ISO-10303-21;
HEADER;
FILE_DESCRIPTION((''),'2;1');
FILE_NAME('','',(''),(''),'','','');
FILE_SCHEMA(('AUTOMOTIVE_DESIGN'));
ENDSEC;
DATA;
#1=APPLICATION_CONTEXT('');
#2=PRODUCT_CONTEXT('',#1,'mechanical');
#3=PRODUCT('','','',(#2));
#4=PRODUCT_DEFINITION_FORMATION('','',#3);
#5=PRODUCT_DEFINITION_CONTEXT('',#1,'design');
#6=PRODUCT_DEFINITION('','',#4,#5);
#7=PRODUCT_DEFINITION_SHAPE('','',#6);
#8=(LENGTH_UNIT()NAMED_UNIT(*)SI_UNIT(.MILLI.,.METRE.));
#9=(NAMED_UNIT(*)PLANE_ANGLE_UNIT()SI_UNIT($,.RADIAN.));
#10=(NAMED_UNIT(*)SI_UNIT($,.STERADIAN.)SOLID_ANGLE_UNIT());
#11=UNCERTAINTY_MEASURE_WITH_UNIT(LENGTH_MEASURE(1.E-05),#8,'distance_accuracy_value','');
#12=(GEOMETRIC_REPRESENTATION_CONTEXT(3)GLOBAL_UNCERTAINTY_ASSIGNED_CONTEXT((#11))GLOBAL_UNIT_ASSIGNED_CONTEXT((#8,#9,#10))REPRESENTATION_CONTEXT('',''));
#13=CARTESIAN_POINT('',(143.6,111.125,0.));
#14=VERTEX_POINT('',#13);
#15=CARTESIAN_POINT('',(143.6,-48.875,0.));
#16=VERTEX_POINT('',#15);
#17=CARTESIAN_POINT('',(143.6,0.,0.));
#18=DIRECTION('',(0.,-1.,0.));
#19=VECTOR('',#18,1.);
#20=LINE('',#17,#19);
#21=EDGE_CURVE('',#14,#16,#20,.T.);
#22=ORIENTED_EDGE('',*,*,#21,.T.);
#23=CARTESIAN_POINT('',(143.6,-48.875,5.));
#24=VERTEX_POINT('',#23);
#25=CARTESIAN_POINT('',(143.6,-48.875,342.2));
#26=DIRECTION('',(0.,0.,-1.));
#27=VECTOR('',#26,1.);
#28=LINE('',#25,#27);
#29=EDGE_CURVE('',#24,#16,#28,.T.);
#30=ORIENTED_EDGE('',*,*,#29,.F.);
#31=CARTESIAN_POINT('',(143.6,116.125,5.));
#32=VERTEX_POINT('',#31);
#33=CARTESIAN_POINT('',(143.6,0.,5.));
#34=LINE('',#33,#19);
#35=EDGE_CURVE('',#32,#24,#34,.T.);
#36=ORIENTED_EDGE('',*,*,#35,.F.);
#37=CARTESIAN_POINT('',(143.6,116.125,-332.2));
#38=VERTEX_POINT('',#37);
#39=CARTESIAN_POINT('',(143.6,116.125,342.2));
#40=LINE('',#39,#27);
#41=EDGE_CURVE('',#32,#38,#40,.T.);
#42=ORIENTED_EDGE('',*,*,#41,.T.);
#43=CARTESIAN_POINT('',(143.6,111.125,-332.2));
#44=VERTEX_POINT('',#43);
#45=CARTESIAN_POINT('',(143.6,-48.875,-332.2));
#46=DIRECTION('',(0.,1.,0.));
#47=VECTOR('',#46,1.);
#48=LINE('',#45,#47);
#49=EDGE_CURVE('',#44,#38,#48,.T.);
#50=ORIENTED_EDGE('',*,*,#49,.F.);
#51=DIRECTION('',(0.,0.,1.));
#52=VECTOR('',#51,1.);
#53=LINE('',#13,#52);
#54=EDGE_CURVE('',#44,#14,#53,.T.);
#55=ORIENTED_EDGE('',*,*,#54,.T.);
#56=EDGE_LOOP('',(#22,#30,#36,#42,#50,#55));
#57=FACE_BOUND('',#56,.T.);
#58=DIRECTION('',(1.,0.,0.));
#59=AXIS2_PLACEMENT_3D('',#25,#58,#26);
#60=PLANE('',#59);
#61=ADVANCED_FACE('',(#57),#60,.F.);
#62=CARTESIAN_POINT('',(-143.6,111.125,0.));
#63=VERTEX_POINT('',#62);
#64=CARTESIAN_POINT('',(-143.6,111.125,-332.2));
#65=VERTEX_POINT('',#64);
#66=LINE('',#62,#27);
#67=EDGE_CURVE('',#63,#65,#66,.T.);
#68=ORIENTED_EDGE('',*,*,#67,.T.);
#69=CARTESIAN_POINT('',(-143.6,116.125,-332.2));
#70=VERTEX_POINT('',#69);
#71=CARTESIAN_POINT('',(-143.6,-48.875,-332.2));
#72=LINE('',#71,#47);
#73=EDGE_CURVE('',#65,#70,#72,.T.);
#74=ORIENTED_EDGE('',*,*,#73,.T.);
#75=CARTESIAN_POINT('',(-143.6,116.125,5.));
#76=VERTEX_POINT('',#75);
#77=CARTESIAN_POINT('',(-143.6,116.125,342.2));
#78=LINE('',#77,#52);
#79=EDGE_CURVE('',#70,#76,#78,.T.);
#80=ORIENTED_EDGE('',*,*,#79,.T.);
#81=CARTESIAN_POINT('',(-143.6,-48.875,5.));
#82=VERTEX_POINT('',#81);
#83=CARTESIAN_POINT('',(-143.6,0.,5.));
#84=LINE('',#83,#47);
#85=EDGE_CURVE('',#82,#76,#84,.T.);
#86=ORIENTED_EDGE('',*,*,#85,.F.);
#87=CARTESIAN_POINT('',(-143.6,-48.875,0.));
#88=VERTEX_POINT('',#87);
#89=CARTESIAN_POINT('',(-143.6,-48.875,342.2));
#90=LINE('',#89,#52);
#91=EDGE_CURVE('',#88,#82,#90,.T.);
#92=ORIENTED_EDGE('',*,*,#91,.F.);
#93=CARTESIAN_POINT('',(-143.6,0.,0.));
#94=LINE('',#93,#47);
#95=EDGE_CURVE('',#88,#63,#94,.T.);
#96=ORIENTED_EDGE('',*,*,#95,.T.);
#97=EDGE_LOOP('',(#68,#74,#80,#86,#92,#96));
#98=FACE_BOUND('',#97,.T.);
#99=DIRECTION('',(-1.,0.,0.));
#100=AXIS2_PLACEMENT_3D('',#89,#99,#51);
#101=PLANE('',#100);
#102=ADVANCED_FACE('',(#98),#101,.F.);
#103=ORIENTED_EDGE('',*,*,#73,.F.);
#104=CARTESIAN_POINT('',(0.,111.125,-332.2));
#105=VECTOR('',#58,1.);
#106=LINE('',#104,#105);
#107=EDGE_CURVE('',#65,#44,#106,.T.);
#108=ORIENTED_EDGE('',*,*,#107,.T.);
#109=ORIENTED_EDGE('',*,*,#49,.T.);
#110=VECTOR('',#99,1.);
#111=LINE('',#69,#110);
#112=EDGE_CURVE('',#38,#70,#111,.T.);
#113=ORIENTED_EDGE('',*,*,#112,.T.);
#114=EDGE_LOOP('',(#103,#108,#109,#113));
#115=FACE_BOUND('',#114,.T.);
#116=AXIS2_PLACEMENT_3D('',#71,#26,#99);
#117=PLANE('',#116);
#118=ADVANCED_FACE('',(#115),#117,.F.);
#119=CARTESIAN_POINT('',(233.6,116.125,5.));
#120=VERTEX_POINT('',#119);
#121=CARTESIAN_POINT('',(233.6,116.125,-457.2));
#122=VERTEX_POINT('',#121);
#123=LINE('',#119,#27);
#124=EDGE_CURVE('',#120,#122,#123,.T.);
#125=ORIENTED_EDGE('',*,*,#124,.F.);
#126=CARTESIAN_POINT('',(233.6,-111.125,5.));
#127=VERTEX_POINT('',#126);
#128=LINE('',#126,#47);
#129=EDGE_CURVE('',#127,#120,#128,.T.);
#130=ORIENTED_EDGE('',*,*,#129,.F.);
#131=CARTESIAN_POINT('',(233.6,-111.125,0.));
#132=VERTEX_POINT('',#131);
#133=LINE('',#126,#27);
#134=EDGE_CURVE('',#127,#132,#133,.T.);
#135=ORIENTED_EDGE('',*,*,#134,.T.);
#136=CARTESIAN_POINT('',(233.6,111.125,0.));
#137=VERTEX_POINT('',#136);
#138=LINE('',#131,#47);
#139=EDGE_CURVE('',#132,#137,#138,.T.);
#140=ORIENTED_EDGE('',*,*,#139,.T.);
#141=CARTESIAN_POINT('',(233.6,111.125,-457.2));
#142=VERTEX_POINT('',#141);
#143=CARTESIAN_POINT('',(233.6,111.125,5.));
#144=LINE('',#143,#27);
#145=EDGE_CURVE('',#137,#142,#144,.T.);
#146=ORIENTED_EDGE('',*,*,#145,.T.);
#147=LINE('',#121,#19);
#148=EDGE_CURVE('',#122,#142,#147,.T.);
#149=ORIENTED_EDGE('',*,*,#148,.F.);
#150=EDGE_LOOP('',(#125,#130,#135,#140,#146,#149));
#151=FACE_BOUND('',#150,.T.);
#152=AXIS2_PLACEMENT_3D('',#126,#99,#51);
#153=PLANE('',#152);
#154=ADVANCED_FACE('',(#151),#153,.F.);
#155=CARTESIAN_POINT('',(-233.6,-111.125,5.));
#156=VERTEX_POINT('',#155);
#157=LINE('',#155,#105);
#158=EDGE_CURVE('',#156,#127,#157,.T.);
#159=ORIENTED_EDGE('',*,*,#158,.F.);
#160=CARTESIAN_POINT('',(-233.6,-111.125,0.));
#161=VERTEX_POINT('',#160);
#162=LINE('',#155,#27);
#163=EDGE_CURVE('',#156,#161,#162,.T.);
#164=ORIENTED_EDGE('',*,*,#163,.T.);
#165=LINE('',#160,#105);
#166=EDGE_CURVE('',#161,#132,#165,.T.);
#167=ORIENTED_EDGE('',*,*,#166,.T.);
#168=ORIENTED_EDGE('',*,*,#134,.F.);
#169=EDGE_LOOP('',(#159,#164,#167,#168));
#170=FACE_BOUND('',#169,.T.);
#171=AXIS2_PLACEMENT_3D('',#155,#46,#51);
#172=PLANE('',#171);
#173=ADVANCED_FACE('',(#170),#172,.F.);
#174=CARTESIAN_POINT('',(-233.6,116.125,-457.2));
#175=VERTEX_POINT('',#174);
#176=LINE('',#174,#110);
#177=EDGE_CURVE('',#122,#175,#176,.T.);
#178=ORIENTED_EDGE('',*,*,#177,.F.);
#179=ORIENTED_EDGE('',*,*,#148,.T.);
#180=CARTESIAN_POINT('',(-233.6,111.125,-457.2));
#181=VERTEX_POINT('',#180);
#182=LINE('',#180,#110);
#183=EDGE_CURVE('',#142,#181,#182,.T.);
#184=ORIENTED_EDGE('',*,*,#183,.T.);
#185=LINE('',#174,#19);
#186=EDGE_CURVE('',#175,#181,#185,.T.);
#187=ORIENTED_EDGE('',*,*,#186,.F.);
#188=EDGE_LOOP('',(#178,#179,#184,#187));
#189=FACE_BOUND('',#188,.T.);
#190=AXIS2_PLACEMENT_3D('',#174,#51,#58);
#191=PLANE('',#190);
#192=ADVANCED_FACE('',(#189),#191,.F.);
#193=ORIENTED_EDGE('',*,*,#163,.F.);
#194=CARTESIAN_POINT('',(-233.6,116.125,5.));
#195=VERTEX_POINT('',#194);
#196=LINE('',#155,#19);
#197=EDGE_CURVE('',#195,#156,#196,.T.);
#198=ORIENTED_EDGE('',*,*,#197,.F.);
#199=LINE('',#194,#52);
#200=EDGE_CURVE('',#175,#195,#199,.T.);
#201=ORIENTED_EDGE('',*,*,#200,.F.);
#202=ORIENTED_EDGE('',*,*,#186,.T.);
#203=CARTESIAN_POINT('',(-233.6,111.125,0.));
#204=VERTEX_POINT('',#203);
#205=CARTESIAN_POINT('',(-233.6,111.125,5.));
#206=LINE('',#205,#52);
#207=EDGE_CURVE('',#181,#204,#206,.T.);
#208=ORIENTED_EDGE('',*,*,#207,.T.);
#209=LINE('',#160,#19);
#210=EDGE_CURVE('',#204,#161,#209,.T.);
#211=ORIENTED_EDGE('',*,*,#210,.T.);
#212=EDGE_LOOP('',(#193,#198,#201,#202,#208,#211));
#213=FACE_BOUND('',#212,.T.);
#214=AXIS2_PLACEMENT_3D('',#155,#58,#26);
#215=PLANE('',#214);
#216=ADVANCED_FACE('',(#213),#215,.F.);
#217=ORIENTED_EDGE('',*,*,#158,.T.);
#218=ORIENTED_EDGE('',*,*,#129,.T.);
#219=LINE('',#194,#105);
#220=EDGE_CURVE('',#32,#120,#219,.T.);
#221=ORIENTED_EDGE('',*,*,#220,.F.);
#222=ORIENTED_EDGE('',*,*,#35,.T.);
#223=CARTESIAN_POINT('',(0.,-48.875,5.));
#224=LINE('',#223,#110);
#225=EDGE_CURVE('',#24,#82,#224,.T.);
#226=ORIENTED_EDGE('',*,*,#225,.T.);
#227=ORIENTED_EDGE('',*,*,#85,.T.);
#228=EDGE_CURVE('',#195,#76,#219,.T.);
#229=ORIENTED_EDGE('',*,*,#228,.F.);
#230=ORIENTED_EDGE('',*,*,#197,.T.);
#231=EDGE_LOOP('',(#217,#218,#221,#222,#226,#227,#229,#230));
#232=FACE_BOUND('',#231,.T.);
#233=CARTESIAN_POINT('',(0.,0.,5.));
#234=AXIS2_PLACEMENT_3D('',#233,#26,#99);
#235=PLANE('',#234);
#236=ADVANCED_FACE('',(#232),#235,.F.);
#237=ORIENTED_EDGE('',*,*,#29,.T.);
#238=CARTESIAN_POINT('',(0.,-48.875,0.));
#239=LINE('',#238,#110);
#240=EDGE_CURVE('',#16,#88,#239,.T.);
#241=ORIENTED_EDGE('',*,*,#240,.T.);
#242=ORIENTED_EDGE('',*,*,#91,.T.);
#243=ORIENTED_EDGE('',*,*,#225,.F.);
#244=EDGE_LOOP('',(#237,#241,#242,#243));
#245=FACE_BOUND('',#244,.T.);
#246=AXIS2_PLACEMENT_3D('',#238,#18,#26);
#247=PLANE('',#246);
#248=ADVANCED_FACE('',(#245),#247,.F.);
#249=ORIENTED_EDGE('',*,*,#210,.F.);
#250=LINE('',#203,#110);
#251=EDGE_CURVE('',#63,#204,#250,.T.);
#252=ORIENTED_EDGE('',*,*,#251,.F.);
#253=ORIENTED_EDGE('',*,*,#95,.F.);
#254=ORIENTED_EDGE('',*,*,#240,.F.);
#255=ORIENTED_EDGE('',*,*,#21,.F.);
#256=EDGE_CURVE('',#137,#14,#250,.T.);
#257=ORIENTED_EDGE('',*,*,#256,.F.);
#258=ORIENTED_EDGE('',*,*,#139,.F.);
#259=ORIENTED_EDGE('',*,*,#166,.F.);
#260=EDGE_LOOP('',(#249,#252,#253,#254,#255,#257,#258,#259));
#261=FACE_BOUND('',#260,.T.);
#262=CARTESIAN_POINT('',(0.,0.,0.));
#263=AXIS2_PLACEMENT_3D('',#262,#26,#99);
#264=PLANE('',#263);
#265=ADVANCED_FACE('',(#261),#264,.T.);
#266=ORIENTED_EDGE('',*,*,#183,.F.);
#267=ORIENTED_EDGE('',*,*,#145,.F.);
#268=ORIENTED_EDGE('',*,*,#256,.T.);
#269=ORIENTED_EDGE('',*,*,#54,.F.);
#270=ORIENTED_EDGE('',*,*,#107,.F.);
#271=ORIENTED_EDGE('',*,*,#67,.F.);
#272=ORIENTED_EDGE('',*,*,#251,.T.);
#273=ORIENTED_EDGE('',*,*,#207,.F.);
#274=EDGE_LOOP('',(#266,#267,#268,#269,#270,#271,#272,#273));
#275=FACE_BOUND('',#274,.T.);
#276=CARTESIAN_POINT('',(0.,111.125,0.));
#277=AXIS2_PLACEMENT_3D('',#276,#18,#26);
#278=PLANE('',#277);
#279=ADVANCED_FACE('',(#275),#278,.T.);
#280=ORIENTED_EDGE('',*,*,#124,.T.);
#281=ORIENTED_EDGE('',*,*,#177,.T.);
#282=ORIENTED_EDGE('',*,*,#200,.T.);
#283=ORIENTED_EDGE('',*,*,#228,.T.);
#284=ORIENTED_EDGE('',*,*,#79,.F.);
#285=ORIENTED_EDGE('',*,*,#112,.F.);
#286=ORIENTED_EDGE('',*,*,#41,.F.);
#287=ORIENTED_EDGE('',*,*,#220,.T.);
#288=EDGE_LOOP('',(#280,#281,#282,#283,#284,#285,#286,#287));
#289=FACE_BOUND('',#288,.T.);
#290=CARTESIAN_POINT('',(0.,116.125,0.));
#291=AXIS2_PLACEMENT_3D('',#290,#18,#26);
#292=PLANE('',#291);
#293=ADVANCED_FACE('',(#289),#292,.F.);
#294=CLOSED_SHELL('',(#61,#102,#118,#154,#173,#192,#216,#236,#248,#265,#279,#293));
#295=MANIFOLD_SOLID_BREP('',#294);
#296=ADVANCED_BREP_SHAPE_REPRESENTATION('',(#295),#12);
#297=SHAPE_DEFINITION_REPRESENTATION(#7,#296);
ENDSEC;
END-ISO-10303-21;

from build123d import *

# Parameters (mm, degrees)
SKETCH1_W           = 467.2
SKETCH1_H           = 222.25
BOSS_EXTRUDE1_DEPTH = 5
SKETCH2_W           = 467.2
SKETCH2_H           = 462.2
BOSS_EXTRUDE2_DEPTH = 5
SKETCH3_W           = 287.2
SKETCH3_H           = 674.4
CUT_EXTRUDE1_DEPTH  = 165


with BuildPart() as part:
    # Sketch1 → Boss-Extrude1 (new body)
    with BuildSketch(Plane.XY):
        Rectangle(SKETCH1_W, SKETCH1_H)
    extrude(amount=BOSS_EXTRUDE1_DEPTH)

    # Sketch2 → Boss-Extrude2 (add)
    with BuildSketch(Plane(origin=(0, 111.125, 0), x_dir=(1, 0, 0), z_dir=(0, 1, 0))):
        with Locations((0, 226.1)):
            Rectangle(SKETCH2_W, SKETCH2_H)
    extrude(amount=BOSS_EXTRUDE2_DEPTH)

    # Sketch3 → Cut-Extrude1 (cut)
    with BuildSketch(Plane(origin=(0, 116.125, 0), x_dir=(1, 0, 0), z_dir=(0, 1, 0))):
        with Locations((0, -5)):
            Rectangle(SKETCH3_W, SKETCH3_H)
    extrude(amount=-CUT_EXTRUDE1_DEPTH, mode=Mode.SUBTRACT)


solid = part.part
